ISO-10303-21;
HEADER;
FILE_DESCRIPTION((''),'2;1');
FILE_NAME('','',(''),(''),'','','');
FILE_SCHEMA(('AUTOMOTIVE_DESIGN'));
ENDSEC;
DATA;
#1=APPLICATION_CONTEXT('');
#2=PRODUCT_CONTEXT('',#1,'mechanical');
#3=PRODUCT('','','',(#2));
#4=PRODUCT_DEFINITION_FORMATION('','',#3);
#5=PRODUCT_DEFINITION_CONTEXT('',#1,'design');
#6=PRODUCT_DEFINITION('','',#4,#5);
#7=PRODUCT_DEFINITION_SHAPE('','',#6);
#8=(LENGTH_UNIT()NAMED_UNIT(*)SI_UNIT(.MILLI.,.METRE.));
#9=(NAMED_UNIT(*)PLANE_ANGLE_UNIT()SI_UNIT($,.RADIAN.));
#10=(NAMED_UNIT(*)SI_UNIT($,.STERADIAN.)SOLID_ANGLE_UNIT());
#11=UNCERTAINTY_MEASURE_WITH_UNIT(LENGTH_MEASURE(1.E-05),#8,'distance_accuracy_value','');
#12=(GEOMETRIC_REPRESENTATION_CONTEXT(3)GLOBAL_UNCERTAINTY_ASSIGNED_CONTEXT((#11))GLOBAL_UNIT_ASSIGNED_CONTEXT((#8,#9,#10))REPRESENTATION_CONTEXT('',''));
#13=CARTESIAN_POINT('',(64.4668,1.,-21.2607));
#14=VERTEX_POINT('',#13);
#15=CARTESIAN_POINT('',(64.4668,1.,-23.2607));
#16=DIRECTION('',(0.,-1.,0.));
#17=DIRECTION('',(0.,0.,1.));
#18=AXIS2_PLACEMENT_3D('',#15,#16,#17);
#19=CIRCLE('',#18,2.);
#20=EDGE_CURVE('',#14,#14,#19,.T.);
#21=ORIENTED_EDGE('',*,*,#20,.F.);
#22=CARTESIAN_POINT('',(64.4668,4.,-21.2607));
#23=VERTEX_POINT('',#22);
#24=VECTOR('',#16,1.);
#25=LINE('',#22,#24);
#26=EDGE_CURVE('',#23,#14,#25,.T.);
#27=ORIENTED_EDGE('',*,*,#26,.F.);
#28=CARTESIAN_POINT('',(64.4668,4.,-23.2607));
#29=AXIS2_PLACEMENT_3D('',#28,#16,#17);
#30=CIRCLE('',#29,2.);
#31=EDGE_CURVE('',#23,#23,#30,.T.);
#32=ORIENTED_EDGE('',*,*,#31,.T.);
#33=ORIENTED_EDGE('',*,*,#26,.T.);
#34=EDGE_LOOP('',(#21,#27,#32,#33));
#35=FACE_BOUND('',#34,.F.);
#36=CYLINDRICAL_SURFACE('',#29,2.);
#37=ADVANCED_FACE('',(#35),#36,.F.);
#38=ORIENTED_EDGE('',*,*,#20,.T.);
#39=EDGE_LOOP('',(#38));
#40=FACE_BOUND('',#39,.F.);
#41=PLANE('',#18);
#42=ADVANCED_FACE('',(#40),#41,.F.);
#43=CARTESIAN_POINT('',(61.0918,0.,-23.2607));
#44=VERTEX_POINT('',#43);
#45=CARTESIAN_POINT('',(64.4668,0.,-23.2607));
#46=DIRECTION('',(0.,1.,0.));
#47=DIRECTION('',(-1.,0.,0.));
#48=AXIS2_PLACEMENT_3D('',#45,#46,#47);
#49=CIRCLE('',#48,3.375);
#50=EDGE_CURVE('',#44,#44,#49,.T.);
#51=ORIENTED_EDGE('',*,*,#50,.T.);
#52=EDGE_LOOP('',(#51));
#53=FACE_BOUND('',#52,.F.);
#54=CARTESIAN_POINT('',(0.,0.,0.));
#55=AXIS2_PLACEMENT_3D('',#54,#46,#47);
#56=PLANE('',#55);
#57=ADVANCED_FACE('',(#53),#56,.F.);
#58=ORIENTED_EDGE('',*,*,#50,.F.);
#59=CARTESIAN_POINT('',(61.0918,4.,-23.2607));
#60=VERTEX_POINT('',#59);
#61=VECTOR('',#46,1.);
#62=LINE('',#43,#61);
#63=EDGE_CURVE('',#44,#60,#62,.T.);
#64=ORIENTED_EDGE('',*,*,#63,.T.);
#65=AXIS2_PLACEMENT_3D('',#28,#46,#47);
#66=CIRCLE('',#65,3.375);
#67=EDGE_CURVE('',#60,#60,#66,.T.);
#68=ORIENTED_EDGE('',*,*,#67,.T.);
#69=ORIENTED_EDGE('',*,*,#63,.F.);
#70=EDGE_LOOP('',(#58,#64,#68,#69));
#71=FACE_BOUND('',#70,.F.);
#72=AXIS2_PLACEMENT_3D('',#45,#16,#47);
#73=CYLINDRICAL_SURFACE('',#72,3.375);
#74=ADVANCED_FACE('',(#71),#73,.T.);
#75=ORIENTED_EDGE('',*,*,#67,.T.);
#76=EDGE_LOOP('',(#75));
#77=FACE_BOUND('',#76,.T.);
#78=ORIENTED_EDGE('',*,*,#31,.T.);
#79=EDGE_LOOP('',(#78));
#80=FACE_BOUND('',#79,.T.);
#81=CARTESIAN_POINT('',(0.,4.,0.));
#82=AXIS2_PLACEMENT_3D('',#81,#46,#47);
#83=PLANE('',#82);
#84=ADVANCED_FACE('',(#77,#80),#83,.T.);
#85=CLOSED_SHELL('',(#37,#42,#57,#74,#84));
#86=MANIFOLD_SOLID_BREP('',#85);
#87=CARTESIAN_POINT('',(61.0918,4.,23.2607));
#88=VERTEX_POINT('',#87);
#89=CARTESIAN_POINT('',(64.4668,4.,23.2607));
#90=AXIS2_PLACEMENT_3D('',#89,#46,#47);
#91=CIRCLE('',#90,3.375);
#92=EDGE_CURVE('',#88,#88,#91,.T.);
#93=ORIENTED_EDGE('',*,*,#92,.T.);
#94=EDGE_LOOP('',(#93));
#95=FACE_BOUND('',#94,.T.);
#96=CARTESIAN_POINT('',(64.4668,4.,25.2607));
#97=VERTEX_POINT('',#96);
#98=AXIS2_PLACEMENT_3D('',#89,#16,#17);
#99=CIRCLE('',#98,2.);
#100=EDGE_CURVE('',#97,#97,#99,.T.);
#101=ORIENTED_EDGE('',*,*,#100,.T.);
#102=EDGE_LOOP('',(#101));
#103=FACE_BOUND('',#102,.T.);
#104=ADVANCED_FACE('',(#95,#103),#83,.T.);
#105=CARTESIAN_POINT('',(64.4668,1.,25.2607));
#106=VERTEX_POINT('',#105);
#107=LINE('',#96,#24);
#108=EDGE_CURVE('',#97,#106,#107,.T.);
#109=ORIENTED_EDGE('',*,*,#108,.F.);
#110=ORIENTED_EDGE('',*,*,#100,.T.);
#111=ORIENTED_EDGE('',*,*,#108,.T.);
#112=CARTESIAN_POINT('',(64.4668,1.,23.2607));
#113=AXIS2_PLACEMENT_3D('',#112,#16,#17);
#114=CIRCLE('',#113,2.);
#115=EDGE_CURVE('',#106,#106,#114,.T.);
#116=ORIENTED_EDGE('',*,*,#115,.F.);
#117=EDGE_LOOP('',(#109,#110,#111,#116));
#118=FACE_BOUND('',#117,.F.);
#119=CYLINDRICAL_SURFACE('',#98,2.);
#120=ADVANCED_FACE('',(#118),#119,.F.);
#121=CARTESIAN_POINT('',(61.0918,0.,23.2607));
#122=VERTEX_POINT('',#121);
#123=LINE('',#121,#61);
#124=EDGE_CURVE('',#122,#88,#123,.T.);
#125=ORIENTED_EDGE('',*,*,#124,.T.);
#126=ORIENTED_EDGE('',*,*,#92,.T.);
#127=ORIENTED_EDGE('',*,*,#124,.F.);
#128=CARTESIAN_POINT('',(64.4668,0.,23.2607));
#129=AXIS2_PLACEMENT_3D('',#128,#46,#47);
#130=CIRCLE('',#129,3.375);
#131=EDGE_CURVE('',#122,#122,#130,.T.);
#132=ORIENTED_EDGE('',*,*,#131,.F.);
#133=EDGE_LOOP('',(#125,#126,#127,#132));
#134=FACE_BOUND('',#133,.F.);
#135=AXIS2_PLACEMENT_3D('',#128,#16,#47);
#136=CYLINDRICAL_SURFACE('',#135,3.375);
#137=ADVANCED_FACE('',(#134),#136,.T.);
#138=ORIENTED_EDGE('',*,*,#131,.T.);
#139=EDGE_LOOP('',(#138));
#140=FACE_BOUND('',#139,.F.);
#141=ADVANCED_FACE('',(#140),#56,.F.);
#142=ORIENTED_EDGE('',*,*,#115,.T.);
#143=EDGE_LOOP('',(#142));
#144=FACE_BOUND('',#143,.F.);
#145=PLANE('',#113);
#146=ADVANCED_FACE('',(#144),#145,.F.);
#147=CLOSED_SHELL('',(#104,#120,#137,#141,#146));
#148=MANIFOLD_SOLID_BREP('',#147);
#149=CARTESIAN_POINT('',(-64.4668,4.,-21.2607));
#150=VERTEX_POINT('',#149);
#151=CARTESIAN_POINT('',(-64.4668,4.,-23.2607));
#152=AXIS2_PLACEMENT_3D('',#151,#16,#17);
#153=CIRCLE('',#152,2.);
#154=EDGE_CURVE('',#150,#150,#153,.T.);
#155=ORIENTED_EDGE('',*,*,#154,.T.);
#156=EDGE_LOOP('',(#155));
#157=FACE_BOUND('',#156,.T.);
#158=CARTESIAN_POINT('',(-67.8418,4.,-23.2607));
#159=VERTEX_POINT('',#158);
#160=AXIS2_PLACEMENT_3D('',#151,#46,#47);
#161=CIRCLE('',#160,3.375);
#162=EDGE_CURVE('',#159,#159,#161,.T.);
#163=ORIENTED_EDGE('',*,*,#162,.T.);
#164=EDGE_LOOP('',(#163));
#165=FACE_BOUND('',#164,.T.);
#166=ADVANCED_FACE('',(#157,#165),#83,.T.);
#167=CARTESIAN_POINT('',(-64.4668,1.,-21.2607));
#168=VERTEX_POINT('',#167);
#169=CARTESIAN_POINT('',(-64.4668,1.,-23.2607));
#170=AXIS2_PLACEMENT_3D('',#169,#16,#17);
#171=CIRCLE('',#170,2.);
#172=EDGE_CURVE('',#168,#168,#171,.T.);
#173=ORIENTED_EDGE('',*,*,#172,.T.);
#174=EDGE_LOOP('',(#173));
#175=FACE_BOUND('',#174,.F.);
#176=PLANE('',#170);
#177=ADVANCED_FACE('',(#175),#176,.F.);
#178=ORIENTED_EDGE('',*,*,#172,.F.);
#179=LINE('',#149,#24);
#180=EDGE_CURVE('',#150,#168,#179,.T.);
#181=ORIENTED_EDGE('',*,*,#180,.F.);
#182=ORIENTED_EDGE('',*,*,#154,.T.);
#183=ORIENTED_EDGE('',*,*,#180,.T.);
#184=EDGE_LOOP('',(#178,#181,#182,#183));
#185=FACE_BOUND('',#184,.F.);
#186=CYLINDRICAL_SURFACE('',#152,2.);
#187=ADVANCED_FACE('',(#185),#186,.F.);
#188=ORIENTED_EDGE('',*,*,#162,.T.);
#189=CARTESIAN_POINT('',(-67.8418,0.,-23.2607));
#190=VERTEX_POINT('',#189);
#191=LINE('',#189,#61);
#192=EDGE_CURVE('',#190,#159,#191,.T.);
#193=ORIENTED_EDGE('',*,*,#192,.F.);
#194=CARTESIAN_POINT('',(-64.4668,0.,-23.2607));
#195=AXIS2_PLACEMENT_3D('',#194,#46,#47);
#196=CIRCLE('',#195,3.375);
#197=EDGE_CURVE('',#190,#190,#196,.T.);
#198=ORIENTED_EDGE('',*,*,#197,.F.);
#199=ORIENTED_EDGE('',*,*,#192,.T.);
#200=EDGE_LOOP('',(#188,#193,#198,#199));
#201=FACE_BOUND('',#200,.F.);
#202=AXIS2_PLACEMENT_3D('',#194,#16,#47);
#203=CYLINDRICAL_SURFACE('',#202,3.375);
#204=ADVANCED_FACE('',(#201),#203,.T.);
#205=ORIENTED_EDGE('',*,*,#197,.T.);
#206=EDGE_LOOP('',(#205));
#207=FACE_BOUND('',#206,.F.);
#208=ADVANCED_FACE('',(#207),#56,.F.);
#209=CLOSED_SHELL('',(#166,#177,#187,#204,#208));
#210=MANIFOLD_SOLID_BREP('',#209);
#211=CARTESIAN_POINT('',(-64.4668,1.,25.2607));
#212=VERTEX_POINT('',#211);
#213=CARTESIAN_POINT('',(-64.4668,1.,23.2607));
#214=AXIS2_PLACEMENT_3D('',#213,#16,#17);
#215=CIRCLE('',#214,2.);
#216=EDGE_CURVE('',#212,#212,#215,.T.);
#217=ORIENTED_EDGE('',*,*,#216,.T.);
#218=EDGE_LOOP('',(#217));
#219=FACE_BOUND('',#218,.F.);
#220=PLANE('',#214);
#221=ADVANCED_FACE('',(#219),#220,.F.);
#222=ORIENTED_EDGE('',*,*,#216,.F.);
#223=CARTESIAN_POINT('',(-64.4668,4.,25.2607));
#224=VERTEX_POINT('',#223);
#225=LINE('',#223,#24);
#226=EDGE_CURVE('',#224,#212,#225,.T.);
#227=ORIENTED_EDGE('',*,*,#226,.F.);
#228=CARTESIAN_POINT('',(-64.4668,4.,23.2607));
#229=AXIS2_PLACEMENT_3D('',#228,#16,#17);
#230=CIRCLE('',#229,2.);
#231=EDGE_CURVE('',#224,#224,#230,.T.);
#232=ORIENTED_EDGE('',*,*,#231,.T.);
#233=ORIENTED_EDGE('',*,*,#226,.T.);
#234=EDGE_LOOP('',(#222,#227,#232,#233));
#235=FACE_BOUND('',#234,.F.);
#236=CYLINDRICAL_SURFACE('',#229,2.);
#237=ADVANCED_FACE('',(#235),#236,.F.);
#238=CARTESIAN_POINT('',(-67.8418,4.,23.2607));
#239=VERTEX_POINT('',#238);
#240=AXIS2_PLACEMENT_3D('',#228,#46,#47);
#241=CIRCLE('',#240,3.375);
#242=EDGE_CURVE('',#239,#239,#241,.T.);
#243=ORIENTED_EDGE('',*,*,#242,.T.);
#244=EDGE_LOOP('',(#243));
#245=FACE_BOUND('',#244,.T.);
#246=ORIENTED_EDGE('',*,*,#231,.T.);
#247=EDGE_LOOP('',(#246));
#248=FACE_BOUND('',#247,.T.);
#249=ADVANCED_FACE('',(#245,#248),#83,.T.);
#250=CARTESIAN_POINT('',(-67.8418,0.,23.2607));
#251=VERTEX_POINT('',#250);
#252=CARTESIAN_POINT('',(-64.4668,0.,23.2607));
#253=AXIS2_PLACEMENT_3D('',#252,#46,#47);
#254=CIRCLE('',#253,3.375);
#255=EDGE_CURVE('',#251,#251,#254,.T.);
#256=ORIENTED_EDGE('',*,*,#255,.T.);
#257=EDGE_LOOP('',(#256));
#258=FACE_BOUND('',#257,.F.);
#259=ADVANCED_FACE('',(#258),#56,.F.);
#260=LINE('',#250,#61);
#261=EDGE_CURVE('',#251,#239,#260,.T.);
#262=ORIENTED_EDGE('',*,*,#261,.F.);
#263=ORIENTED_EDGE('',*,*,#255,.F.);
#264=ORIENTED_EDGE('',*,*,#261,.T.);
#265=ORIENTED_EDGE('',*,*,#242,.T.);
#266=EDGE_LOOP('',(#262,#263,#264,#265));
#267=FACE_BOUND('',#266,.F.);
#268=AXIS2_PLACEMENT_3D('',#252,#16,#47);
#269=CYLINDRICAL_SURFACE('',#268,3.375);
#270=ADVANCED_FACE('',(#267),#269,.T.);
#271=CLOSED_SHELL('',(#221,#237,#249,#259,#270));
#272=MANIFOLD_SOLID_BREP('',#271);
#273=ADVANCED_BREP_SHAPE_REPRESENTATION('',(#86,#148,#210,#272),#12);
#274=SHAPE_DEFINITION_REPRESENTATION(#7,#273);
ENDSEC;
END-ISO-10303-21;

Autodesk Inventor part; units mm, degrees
ref_plane "YZ Plane" through (0, 0, 0) normal (1, 0, 0) x (0, 1, 0)
ref_plane "XZ Plane" through (0, 0, 0) normal (0, 1, 0) x (-1, 0, 0)
ref_plane "XY Plane" through (0, 0, 0) normal (0, 0, 1) x (1, 0, 0)
sketch "Relay Hole Layout" plane through (0, 0, 0) normal (0, 1, 0) x (-1, 0, 0)
  line L0 (64.4668, 23.2607) -> (-64.4668, 23.2607) construction
  line L1 (-64.4668, 23.2607) -> (-64.4668, -23.2607) construction
  line L2 (-64.4668, -23.2607) -> (64.4668, -23.2607) construction
  line L3 (64.4668, -23.2607) -> (64.4668, 23.2607) construction
  line L4 (64.4668, 23.2607) -> (-64.4668, -23.2607) construction
  line L5 (-64.4668, 23.2607) -> (64.4668, -23.2607) construction
  circle A0 centre (64.4668, -23.2607) radius 1.625 construction
  line L6 (0, -23.2607) -> (0, 23.2607) construction
  line L7 (64.4668, 0) -> (-64.4668, 0) construction
  circle A1 centre (-64.4668, -23.2607) radius 1.625 construction
  circle A2 centre (64.4668, 23.2607) radius 1.625 construction
  circle A3 centre (-64.4668, 23.2607) radius 1.625 construction
  line L8 (67.4918, -26.2857) -> (-67.4918, -26.2857) construction
  line L9 (-67.4918, -26.2857) -> (-67.4918, 26.2857) construction
  line L10 (-67.4918, 26.2857) -> (67.4918, 26.2857) construction
  line L11 (67.4918, 26.2857) -> (67.4918, -26.2857) construction
  line L12 (66.0918, -23.2607) -> (67.4918, -23.2607) construction
  line L13 (-64.4668, 24.8857) -> (-64.4668, 26.2857) construction
  line L14 (-66.0918, 23.2607) -> (-67.4918, 23.2607) construction
  point P0 (0, 0)
  dimension "d2" = 3.25
  dimension "d0" = 46.5214
  dimension "d1" = 128.9336
  dimension "d5" = 1.4
  dimension "d6" = 1.4
  dimension "d7" = 1.4
  dimension "d8" = 1.4
sketch "Sketch2" plane through (0, 0, 0) normal (0, 1, 0) x (-1, 0, 0)
  circle A0 centre (64.4668, -23.2607) radius 1.625 construction
  circle A1 centre (-64.4668, -23.2607) radius 1.625 construction
  circle A2 centre (-64.4668, 23.2607) radius 1.625 construction
  circle A3 centre (64.4668, 23.2607) radius 1.625 construction
  circle A4 centre (64.4668, -23.2607) radius 3.375
  circle A5 centre (-64.4668, -23.2607) radius 3.375
  circle A6 centre (-64.4668, 23.2607) radius 3.375
  circle A7 centre (64.4668, 23.2607) radius 3.375
  point P0 (0, 0)
  dimension "d9" = 1.75
extrude "Extrusion2" add sketch "Sketch2" along normal blind 4
sketch "Sketch3" plane through (-64.4668, 4, -23.2607) normal (0, 1, 0) x (1, 0, 0)
  circle A0 centre (0, 0) radius 3.375 projected
  circle A1 centre (128.9336, 0) radius 3.375 projected
  circle A2 centre (128.9336, -46.5214) radius 3.375 projected
  circle A3 centre (0, -46.5214) radius 3.375 projected
  point P0 (64.4668, -23.2607)
hole "Hole1" at (-64.4668, 4, -23.2607) at (64.4668, 4, -23.2607) at (64.4668, 4, 23.2607) at (-64.4668, 4, 23.2607) direction (0, -1, 0) diameter 4 depth 3
sketch "Sketch4" plane through (-64.4668, 0, -23.2607) normal (0, -1, 0) x (1, 0, 0)
  circle A0 centre (0, 0) radius 2 construction
  circle A1 centre (0, 46.5214) radius 2 construction
  circle A2 centre (128.9336, 46.5214) radius 3.375 construction
  circle A3 centre (128.9336, 0) radius 2 construction
  line L0 (0, 0) -> (128.9336, 0) construction
  circle A4 centre (0, 46.5214) radius 3.375 construction
  line L1 (0, 46.5214) -> (128.9336, 46.5214) construction
  point P0 (64.4668, 23.2607)
properties part number "relay_module_standoffs_plate"
